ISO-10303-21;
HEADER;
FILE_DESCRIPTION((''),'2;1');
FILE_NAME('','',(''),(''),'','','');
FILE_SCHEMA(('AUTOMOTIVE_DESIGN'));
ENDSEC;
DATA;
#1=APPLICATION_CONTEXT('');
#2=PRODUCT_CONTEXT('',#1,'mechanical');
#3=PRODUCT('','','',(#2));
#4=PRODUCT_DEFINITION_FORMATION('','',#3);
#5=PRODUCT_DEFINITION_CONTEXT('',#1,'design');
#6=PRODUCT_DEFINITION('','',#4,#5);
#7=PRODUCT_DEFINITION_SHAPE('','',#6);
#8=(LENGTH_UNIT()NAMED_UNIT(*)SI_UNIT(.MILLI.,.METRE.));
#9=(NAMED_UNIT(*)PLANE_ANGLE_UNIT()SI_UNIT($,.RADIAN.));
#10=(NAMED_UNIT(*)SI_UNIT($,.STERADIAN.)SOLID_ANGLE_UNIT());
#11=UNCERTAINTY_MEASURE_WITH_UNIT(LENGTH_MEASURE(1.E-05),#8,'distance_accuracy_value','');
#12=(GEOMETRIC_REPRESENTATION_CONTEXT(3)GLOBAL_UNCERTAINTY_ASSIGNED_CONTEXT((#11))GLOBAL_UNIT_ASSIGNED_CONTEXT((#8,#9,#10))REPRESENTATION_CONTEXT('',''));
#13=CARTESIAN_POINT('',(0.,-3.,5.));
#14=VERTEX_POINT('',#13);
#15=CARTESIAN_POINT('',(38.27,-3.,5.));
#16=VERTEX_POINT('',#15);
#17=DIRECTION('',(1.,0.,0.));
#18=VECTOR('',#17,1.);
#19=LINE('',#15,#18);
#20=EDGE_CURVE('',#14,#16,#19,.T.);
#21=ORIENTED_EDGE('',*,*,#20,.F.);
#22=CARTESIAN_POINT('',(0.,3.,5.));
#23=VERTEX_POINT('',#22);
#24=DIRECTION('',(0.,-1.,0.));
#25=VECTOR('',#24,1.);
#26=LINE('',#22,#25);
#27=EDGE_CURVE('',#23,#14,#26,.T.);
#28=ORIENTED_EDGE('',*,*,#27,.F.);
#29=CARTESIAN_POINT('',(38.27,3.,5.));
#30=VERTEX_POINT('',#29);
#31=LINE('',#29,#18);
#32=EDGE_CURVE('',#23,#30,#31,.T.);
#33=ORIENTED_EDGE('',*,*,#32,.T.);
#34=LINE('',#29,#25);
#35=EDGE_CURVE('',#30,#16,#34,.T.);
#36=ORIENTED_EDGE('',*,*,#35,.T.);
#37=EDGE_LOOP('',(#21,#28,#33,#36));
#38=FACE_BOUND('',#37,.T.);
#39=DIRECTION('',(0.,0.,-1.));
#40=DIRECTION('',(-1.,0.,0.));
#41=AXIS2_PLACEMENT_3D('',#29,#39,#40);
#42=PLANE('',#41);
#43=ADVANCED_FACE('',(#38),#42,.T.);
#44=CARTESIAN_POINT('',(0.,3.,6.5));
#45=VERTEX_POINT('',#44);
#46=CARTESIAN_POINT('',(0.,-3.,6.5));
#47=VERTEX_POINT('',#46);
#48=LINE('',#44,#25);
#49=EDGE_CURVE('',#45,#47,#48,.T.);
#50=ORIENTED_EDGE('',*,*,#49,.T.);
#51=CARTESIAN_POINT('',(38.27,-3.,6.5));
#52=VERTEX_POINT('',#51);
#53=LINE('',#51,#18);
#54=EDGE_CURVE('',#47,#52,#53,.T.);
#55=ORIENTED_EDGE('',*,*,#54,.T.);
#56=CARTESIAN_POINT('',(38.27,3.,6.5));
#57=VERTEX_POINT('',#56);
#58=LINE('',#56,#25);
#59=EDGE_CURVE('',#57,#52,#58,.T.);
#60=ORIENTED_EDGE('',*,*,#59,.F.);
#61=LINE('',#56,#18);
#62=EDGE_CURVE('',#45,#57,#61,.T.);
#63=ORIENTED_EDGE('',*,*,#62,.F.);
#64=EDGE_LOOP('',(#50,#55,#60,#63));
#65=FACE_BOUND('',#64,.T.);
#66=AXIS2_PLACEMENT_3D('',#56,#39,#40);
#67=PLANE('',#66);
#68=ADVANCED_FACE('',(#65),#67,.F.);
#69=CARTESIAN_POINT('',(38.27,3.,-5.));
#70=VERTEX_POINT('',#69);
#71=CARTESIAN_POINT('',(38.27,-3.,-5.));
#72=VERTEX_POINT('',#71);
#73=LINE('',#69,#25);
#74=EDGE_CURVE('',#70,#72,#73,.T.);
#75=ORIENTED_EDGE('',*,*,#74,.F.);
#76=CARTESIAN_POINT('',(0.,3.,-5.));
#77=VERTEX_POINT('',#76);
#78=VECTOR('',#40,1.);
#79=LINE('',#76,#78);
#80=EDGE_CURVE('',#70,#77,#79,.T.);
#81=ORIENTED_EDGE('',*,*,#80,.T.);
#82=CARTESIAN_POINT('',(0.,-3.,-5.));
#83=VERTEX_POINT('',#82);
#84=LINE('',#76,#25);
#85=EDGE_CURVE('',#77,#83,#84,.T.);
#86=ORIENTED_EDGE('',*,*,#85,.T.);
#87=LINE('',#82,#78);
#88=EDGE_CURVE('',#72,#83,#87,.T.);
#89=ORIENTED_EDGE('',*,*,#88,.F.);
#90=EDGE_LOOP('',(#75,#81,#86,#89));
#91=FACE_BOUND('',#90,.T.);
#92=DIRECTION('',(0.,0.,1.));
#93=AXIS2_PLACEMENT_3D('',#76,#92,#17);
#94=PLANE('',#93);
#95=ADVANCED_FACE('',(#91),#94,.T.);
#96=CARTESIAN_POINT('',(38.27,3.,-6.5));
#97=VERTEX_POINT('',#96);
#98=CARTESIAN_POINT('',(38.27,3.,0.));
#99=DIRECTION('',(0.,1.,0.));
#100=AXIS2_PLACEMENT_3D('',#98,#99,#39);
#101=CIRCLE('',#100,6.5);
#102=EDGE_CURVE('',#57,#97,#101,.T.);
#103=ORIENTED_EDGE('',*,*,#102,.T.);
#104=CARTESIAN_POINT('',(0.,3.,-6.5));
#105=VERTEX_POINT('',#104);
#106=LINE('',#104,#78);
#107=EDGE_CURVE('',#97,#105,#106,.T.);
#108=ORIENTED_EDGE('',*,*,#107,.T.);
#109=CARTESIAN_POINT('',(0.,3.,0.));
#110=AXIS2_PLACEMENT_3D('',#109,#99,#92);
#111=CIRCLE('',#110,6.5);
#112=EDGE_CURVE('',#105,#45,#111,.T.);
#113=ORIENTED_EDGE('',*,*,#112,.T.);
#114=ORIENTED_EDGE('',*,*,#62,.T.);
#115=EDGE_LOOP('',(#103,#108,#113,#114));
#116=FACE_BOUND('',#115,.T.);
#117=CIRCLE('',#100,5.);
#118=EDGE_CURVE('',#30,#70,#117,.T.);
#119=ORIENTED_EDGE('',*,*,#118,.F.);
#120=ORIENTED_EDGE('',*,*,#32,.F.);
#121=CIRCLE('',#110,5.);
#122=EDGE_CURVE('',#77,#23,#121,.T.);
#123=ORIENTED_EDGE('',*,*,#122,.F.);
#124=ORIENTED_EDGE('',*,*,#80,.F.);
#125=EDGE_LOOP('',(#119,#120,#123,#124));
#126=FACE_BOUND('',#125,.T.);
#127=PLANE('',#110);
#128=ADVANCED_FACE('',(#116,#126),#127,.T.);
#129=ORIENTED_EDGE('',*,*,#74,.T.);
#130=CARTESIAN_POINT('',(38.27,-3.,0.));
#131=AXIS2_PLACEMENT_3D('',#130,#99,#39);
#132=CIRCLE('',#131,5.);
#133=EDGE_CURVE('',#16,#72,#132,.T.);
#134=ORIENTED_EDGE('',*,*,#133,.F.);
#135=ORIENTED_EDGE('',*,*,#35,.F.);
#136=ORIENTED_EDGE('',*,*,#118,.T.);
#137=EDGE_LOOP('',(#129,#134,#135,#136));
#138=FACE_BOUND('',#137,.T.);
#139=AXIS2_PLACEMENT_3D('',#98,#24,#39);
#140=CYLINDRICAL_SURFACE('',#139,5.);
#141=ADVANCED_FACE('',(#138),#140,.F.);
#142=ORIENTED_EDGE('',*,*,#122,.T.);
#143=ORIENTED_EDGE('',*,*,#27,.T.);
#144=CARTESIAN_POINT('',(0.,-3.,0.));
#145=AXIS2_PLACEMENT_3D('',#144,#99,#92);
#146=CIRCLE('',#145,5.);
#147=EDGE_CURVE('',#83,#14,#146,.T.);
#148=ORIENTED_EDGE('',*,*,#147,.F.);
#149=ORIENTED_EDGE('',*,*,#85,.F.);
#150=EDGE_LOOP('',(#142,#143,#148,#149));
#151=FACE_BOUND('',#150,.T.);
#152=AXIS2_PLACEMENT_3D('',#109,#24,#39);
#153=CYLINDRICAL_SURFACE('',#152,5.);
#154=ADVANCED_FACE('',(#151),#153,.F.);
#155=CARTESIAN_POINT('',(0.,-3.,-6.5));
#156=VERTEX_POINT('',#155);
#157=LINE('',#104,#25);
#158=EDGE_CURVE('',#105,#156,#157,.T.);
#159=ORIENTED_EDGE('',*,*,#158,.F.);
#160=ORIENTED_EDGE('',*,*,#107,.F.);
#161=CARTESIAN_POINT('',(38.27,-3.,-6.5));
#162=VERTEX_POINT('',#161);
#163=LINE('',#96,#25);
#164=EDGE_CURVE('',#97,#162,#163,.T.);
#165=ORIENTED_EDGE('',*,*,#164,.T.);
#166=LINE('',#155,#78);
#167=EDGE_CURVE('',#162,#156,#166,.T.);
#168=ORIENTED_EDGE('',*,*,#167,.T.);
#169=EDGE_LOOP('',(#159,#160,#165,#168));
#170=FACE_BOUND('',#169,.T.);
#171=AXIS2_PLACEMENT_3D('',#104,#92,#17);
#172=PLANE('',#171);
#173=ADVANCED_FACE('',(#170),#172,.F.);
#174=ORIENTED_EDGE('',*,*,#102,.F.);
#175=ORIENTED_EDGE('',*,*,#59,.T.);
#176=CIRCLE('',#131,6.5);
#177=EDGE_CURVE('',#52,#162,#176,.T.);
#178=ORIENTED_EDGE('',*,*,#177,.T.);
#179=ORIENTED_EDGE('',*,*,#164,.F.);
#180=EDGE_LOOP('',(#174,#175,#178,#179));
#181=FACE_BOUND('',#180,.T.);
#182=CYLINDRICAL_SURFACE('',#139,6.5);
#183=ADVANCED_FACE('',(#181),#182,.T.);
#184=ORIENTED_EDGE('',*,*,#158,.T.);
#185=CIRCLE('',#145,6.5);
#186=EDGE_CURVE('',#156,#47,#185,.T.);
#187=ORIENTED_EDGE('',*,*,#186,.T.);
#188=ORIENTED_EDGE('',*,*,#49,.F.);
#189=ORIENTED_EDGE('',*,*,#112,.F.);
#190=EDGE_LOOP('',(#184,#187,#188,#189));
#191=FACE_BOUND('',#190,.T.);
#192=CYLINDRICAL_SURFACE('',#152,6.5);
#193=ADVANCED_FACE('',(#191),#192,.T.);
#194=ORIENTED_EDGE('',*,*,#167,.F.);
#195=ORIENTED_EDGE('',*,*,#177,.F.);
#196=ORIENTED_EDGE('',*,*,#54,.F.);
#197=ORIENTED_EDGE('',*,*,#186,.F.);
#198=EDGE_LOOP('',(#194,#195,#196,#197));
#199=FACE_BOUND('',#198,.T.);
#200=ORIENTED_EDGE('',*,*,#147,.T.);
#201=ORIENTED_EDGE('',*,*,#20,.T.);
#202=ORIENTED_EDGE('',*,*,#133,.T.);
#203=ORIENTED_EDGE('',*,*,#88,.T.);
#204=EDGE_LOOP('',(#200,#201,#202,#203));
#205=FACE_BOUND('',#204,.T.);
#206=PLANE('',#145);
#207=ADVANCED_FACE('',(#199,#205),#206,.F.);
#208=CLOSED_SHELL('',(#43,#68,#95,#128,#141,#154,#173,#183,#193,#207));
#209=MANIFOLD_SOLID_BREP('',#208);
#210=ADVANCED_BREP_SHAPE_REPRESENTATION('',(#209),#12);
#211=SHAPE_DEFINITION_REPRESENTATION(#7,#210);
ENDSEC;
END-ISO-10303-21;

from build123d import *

# Parameters (mm, degrees)
BOSS_EXTRUDE1_DEPTH = 3


with BuildPart() as part:
    # Sketch1 → Boss-Extrude1 (new, symmetric)
    with BuildSketch(Plane(origin=(0, 0, 0), x_dir=(1, 0, 0), z_dir=(0, 1, 0))):
        with BuildLine():
            Line((0, 6.5), (38.27, 6.5))
            ThreePointArc((38.27, 6.5), (44.77, 0), (38.27, -6.5))
            Line((38.27, -6.5), (0, -6.5))
            ThreePointArc((0, -6.5), (-6.5, 0), (0, 6.5))
        make_face()
        with BuildLine():
            Line((0, 5), (38.27, 5))
            ThreePointArc((38.27, 5), (43.27, 0), (38.27, -5))
            Line((38.27, -5), (0, -5))
            ThreePointArc((0, -5), (-5, 0), (0, 5))
        make_face(mode=Mode.SUBTRACT)
    extrude(amount=BOSS_EXTRUDE1_DEPTH, both=True)


solid = part.part
